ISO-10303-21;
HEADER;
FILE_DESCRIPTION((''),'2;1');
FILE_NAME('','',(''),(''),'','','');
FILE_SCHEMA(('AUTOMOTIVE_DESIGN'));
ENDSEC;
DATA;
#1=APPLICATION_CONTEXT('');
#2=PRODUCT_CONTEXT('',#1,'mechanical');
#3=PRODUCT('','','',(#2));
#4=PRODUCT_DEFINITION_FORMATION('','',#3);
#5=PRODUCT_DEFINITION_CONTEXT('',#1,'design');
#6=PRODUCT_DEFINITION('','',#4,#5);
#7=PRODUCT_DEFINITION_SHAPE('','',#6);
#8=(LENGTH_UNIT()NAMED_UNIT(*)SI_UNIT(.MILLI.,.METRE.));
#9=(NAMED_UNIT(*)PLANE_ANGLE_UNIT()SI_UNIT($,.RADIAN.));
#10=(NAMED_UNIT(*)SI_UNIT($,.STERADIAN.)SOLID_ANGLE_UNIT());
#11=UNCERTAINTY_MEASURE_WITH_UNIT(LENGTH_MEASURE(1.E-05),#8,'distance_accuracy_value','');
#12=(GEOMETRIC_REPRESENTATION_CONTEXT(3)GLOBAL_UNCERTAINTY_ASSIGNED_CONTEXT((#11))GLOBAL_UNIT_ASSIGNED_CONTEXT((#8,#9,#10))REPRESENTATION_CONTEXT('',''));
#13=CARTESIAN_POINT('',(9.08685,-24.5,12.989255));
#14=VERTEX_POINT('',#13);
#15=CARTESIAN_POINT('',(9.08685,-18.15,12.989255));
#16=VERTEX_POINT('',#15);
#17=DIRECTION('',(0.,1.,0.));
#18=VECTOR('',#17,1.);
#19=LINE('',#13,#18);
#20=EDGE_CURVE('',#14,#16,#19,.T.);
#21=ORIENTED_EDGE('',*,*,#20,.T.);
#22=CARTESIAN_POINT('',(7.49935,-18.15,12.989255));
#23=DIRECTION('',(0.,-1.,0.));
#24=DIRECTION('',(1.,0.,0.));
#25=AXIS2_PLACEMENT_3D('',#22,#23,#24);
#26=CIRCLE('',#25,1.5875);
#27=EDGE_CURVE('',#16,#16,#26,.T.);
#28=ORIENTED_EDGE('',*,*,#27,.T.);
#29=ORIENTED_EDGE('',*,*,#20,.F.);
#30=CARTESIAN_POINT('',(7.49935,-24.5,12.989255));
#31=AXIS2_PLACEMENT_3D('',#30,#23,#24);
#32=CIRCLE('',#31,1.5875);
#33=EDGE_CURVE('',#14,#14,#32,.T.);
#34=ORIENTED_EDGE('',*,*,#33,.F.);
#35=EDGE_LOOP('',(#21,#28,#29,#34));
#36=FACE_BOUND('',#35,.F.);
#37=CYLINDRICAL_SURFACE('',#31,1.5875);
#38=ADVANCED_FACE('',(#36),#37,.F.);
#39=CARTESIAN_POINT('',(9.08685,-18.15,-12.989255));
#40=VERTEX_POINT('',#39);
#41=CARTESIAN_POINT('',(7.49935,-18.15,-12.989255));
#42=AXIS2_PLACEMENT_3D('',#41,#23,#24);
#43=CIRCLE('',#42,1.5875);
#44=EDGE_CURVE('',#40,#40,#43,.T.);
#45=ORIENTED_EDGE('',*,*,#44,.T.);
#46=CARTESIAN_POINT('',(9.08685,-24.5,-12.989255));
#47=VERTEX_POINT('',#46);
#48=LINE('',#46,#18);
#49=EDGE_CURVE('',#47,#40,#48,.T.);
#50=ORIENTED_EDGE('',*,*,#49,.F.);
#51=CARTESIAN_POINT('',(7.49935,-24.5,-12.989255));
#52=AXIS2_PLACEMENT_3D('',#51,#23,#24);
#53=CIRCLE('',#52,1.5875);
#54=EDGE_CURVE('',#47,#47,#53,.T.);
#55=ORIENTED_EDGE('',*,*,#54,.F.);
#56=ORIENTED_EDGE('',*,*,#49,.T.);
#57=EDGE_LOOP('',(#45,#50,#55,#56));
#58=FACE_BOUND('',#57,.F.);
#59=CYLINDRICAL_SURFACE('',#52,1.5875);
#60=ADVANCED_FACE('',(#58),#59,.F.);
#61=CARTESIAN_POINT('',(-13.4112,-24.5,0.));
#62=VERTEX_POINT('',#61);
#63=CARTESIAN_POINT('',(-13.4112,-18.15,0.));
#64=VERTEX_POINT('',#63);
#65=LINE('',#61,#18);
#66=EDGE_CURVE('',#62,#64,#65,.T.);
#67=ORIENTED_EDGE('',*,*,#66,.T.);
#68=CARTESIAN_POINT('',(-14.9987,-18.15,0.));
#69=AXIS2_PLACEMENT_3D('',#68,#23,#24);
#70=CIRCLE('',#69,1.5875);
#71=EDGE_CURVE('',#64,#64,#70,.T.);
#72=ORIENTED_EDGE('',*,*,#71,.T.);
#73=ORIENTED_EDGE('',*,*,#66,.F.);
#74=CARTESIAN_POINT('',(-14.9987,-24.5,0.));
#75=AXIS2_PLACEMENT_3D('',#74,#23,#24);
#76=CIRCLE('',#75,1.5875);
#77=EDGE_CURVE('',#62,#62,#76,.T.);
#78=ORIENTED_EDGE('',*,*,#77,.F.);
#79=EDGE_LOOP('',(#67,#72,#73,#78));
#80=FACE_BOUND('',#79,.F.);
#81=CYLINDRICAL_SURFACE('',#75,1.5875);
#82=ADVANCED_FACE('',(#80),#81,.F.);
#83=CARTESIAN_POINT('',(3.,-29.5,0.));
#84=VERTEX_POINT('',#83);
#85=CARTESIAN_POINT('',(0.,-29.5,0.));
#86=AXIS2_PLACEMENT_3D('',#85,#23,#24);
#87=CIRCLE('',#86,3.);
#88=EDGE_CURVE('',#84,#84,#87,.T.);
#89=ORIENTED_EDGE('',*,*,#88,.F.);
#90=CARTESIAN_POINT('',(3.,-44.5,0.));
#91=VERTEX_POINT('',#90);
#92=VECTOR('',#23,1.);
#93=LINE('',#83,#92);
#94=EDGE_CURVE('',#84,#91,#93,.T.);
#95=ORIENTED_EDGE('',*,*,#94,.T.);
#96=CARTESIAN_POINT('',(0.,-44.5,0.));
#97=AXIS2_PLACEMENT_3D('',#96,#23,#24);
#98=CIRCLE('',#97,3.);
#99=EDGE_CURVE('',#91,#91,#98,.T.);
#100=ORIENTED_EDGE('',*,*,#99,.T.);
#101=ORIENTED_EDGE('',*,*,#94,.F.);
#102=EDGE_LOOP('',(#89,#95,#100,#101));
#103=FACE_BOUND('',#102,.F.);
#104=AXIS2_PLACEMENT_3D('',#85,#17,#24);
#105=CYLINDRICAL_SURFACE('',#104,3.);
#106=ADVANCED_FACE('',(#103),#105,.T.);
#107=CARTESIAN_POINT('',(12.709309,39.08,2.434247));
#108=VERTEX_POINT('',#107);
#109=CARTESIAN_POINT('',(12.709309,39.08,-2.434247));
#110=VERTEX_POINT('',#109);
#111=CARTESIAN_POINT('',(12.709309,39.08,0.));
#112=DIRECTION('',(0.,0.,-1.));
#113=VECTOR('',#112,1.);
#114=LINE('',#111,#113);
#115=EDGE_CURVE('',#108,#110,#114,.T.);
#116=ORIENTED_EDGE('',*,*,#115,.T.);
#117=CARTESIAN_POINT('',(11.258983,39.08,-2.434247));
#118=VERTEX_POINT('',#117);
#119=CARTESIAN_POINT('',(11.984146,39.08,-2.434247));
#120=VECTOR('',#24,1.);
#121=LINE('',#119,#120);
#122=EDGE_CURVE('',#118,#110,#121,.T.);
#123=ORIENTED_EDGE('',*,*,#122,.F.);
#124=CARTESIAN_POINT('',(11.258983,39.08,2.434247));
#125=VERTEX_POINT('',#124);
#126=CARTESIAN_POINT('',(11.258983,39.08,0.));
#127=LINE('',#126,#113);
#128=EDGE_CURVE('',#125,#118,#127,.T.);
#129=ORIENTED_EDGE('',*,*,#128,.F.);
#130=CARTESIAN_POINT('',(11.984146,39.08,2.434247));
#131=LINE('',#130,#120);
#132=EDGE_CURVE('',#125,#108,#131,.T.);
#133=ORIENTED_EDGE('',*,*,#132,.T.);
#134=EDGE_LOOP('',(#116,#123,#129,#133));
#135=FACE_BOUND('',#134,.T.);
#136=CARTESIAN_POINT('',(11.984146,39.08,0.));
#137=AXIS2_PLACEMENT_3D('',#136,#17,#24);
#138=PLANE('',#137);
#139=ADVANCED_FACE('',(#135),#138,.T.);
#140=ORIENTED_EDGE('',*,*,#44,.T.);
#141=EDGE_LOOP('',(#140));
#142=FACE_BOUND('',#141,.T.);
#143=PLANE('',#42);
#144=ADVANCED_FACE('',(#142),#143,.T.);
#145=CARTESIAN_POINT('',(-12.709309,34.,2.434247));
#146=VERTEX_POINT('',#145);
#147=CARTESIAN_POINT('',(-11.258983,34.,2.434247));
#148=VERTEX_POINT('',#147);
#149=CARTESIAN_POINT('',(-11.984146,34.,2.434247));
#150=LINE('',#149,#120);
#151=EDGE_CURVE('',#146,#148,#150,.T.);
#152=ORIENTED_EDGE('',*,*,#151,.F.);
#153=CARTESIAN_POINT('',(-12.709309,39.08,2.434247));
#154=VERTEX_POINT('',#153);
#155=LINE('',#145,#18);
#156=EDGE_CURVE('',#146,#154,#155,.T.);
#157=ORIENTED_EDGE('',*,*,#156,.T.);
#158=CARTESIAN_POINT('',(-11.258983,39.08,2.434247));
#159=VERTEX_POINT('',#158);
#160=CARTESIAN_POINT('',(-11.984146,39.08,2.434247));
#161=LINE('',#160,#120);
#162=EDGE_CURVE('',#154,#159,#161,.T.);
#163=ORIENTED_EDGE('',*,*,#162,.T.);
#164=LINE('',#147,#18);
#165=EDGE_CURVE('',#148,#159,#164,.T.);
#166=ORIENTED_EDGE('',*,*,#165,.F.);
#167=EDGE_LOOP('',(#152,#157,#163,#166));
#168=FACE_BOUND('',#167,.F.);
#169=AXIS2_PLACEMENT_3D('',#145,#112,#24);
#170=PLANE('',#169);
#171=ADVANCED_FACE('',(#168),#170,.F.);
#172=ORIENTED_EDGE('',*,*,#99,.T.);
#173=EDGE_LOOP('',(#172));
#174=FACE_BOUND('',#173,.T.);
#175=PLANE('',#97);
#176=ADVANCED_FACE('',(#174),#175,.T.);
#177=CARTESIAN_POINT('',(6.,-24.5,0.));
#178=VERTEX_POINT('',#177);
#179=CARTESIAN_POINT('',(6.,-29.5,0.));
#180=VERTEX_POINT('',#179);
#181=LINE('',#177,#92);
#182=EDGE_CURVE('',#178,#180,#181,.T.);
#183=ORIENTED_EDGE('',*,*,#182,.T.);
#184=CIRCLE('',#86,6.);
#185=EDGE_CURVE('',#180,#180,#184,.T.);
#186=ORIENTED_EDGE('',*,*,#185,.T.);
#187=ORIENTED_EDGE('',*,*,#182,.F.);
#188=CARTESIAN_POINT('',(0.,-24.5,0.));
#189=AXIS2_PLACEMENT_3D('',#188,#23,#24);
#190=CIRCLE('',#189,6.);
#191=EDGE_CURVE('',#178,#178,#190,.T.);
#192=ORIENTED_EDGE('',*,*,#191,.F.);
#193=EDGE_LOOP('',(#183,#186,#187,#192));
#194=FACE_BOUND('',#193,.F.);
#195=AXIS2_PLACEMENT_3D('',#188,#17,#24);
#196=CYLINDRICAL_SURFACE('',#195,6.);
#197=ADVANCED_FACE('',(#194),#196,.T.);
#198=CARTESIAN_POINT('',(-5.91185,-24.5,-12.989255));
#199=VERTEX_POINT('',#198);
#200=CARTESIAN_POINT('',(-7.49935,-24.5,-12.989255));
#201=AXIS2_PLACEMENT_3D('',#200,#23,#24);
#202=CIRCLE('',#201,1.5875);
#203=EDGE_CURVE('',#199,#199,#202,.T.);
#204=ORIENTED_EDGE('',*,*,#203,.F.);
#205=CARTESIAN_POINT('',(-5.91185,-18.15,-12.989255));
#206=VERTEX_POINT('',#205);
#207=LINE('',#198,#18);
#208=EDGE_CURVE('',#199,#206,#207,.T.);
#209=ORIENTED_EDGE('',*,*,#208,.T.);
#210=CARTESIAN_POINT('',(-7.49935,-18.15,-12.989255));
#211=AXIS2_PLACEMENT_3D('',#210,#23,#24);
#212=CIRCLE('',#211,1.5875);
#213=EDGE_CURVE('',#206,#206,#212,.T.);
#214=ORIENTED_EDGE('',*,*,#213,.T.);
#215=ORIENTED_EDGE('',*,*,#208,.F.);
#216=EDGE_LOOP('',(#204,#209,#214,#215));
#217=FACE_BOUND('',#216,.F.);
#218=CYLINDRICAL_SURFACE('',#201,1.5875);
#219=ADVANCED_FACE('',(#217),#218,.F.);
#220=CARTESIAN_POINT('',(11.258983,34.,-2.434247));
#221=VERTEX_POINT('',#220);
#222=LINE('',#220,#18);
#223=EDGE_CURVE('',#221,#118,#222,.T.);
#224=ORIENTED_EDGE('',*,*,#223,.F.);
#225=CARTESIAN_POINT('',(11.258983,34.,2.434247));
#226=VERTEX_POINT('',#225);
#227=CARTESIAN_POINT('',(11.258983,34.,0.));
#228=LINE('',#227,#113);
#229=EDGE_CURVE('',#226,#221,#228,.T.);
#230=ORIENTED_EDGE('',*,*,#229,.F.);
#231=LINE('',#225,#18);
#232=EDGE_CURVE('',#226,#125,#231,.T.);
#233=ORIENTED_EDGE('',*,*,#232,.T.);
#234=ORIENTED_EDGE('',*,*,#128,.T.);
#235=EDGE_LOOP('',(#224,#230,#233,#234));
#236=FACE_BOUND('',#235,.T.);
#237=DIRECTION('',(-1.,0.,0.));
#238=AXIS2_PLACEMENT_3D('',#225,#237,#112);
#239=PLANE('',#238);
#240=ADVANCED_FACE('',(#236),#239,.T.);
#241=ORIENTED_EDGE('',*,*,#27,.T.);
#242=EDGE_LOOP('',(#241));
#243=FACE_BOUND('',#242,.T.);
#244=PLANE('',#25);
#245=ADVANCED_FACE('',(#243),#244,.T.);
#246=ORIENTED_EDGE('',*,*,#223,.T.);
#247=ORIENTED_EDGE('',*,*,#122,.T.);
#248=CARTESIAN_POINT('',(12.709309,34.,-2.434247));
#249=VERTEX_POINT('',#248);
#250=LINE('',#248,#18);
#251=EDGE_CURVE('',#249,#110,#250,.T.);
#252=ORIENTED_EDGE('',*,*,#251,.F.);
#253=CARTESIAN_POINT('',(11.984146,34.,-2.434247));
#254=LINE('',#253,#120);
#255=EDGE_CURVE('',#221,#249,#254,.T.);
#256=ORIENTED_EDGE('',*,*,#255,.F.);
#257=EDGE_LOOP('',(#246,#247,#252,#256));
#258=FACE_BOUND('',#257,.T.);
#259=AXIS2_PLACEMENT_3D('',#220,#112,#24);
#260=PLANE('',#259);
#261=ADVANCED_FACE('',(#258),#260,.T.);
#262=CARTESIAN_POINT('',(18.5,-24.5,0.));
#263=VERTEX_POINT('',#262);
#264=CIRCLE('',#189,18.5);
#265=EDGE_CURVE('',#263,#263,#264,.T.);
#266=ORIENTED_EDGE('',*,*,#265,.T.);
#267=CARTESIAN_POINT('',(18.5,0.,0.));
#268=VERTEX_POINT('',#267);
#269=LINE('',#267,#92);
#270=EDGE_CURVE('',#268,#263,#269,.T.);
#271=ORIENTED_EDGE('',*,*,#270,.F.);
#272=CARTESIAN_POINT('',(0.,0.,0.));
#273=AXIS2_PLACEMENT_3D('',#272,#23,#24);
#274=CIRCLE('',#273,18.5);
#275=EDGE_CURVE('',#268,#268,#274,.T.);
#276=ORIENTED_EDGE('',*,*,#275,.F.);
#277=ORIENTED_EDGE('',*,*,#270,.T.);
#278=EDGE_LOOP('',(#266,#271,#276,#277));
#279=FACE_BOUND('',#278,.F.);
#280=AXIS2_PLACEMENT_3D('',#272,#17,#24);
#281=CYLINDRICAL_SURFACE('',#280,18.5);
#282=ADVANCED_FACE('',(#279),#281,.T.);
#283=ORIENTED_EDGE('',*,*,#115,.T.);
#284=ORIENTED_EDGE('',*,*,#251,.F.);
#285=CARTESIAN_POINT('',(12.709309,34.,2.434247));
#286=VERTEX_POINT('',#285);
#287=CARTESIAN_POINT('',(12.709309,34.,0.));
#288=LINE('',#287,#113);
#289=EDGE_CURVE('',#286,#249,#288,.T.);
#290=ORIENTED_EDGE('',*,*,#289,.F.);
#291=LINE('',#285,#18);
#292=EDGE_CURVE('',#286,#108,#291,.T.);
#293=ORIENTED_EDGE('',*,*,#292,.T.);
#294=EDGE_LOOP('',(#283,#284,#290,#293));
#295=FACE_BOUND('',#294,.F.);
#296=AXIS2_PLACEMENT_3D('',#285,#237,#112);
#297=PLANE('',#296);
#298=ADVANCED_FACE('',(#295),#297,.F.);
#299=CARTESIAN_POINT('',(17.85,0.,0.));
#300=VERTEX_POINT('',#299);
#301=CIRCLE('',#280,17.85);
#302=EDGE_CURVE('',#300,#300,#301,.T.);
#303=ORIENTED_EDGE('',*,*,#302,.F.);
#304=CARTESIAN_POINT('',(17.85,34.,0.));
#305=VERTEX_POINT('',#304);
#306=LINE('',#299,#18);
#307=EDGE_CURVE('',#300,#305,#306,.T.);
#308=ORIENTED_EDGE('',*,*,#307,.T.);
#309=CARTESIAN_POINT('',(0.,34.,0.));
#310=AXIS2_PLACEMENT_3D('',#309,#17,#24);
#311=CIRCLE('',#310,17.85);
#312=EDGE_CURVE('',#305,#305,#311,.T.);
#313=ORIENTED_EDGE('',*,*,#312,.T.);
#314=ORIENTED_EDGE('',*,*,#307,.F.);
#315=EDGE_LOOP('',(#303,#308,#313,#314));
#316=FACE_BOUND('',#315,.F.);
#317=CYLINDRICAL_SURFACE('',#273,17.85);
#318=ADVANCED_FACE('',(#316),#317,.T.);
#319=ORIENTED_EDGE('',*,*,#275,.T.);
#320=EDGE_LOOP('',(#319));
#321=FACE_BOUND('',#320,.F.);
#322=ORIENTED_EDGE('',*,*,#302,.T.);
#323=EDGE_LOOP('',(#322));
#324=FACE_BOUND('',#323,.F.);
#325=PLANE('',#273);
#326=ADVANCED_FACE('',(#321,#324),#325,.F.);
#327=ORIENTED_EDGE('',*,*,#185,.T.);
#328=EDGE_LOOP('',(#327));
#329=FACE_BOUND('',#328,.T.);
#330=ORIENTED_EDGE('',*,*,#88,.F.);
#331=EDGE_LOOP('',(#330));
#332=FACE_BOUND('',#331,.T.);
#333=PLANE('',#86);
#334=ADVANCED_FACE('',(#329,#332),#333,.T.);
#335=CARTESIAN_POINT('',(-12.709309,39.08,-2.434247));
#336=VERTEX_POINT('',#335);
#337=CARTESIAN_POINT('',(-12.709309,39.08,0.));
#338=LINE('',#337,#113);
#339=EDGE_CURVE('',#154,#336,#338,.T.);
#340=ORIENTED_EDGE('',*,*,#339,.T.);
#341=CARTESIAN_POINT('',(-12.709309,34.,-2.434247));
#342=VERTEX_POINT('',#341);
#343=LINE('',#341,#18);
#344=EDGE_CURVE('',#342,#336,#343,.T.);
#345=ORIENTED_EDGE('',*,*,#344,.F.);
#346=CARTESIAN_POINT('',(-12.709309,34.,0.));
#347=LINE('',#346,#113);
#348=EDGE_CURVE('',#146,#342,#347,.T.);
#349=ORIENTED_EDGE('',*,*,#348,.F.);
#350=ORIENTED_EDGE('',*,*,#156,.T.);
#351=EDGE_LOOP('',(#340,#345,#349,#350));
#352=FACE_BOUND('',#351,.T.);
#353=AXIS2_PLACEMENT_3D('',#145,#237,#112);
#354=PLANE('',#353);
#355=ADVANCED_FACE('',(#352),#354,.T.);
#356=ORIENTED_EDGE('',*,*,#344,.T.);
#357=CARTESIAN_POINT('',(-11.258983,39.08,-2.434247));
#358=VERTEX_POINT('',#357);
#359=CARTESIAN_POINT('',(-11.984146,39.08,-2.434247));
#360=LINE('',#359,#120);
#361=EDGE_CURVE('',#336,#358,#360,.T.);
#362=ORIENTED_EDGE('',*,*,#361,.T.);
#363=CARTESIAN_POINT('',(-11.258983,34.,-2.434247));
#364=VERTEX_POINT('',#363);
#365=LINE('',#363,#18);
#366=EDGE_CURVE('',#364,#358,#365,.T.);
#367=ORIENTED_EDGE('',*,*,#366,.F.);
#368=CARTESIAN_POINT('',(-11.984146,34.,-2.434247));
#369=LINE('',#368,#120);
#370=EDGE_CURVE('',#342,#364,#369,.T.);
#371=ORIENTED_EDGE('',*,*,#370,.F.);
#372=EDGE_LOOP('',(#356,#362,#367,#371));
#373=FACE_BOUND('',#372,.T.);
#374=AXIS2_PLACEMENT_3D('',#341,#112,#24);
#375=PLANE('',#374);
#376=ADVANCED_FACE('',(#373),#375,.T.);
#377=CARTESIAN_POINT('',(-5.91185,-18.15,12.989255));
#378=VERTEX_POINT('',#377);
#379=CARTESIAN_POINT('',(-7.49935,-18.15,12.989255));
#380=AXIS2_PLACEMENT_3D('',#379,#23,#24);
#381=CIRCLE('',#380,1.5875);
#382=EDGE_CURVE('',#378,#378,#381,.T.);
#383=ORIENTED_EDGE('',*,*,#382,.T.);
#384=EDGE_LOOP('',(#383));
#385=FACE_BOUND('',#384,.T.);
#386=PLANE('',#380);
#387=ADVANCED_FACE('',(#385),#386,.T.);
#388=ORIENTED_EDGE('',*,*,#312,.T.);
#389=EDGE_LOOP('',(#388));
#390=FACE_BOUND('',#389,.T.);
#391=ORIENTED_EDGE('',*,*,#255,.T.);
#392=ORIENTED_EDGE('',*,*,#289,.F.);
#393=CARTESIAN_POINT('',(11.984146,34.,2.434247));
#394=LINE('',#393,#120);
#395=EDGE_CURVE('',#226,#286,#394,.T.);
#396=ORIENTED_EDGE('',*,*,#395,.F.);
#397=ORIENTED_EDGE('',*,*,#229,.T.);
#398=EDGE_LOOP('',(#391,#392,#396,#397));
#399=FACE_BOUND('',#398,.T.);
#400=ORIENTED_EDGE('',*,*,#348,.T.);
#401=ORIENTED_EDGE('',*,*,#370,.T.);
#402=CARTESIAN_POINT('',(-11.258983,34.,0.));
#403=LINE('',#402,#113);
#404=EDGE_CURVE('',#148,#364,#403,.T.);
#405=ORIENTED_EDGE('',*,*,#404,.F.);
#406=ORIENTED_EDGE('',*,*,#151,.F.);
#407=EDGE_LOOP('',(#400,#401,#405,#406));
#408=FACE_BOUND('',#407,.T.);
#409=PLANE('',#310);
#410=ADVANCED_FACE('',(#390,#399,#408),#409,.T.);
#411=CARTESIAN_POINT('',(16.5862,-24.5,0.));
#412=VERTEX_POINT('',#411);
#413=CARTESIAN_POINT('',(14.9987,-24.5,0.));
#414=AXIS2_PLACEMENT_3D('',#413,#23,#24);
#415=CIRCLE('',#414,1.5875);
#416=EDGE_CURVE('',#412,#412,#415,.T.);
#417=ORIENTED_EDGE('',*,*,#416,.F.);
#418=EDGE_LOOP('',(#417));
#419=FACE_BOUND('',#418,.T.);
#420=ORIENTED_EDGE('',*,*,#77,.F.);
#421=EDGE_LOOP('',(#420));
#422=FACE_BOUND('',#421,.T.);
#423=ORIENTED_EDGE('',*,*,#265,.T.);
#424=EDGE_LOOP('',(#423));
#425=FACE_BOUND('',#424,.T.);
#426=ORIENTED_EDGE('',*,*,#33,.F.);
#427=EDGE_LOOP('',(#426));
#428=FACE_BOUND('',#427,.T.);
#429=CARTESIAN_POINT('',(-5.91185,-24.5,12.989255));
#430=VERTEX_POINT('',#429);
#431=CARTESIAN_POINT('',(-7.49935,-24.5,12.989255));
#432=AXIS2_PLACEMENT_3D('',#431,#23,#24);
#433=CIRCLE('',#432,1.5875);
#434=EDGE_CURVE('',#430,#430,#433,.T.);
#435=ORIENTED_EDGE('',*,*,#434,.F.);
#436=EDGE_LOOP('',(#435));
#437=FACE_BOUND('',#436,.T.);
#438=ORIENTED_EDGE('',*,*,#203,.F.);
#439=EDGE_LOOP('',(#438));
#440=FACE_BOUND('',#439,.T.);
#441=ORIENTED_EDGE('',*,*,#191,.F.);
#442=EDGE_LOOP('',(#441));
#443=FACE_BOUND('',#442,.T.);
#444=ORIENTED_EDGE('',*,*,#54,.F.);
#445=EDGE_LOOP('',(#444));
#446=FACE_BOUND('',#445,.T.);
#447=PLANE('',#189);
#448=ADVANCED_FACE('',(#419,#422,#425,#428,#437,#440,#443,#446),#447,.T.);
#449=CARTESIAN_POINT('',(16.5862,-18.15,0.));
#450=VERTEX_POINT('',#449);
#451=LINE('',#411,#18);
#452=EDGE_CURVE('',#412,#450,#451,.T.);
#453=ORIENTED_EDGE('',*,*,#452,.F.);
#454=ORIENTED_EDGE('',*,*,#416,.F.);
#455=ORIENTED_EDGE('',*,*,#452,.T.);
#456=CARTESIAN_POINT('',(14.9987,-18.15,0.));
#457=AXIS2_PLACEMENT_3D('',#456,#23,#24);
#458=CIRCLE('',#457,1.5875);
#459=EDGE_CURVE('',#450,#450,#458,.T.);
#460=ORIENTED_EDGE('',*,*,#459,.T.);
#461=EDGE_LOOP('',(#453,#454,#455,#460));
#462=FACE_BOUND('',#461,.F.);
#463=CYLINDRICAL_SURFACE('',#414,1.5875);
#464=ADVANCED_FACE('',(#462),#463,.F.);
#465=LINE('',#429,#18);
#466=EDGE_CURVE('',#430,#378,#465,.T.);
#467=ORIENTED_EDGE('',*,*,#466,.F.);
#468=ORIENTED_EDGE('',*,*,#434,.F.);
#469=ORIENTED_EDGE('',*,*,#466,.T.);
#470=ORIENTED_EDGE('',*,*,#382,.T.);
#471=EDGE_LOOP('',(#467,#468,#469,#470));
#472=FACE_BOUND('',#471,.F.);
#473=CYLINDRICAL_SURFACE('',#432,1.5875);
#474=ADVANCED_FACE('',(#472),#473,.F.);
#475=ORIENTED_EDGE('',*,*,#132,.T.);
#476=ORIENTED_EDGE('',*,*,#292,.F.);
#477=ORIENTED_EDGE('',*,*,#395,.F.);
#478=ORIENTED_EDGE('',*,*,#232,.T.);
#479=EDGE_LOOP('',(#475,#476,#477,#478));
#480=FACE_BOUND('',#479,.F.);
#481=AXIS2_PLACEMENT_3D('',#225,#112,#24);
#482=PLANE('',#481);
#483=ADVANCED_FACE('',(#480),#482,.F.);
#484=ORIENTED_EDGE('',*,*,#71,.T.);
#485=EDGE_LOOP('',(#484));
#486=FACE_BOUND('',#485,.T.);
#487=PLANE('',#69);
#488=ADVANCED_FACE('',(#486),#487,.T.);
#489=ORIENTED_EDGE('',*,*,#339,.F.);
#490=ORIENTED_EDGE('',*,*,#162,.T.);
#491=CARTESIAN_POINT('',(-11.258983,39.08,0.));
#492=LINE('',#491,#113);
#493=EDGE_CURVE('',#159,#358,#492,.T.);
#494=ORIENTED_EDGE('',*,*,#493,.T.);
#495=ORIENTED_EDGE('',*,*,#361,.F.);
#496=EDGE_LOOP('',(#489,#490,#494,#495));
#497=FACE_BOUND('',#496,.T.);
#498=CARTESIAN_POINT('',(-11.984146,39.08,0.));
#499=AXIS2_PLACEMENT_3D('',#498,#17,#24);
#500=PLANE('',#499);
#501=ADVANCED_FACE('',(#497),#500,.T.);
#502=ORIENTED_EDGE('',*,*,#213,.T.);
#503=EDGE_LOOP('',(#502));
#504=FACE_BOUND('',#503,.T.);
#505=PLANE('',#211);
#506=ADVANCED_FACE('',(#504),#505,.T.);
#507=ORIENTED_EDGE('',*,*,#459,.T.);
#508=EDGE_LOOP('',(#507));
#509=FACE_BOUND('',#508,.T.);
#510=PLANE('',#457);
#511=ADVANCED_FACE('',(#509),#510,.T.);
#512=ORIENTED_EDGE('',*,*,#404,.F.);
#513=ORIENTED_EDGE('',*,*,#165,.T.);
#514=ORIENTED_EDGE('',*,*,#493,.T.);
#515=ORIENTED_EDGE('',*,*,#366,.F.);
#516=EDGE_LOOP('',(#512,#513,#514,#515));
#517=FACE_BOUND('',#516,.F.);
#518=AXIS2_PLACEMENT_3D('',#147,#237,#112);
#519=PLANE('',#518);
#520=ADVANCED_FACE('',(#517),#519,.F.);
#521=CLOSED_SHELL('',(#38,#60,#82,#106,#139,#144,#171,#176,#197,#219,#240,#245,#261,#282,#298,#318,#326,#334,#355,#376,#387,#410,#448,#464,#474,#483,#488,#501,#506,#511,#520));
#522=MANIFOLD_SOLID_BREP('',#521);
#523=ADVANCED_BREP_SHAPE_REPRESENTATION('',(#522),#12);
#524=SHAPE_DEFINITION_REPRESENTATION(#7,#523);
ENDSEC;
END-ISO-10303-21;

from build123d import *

# Parameters (mm, degrees)
SKETCH_R     = 18.5
PAD_DEPTH    = 24.5
SKETCH001_R  = 6
PAD001_DEPTH = 5
SKETCH002_R  = 3
PAD002_DEPTH = 15
SKETCH003_R  = 17.85
PAD003_DEPTH = 34
SKETCH004_W  = 1.450325
SKETCH004_H  = 4.868494
PAD004_DEPTH = 5.08
SKETCH005_R  = 1.5875
POCKET_DEPTH = 6.35


with BuildPart() as part:
    # Sketch → Pad (new body)
    with BuildSketch(Plane.XZ):
        Circle(SKETCH_R)
    extrude(amount=PAD_DEPTH)

    # Sketch001 (on Face3 of Pad) → Pad001 (join)
    with BuildSketch(Plane.XZ.offset(24.5)):
        Circle(SKETCH001_R)
    extrude(amount=PAD001_DEPTH)

    # Sketch002 (on Face5 of Pad001) → Pad002 (join)
    with BuildSketch(Plane.XZ.offset(29.5)):
        Circle(SKETCH002_R)
    extrude(amount=PAD002_DEPTH)

    # Sketch003 (on Face2 of Pad002) → Pad003 (join)
    with BuildSketch(Plane(origin=(0, 0, 0), x_dir=(1, 0, 0), z_dir=(0, 1, 0))):
        Circle(SKETCH003_R)
    extrude(amount=PAD003_DEPTH)

    # Sketch004 (on Face6 of Pad003) → Pad004 (join)
    with BuildSketch(Plane(origin=(0, 34, 0), x_dir=(1, 0, 0), z_dir=(0, 1, 0))):
        with Locations((-11.984146, 0)):
            Rectangle(SKETCH004_W, SKETCH004_H)
        with Locations((11.984146, 0)):
            Rectangle(SKETCH004_W, SKETCH004_H)
    extrude(amount=PAD004_DEPTH)

    # Sketch005 (on Face3 of Pad004) → Pocket (cut)
    with BuildSketch(Plane.XZ.offset(24.5)):
        with Locations((-7.49935, 12.989255)):
            Circle(SKETCH005_R)
        with Locations((-14.9987, 0)):
            Circle(SKETCH005_R)
        with Locations((-7.49935, -12.989255)):
            Circle(SKETCH005_R)
        with Locations((7.49935, -12.989255)):
            Circle(SKETCH005_R)
        with Locations((14.9987, 0)):
            Circle(SKETCH005_R)
        with Locations((7.49935, 12.989255)):
            Circle(SKETCH005_R)
    extrude(amount=-POCKET_DEPTH, mode=Mode.SUBTRACT)


solid = part.part
